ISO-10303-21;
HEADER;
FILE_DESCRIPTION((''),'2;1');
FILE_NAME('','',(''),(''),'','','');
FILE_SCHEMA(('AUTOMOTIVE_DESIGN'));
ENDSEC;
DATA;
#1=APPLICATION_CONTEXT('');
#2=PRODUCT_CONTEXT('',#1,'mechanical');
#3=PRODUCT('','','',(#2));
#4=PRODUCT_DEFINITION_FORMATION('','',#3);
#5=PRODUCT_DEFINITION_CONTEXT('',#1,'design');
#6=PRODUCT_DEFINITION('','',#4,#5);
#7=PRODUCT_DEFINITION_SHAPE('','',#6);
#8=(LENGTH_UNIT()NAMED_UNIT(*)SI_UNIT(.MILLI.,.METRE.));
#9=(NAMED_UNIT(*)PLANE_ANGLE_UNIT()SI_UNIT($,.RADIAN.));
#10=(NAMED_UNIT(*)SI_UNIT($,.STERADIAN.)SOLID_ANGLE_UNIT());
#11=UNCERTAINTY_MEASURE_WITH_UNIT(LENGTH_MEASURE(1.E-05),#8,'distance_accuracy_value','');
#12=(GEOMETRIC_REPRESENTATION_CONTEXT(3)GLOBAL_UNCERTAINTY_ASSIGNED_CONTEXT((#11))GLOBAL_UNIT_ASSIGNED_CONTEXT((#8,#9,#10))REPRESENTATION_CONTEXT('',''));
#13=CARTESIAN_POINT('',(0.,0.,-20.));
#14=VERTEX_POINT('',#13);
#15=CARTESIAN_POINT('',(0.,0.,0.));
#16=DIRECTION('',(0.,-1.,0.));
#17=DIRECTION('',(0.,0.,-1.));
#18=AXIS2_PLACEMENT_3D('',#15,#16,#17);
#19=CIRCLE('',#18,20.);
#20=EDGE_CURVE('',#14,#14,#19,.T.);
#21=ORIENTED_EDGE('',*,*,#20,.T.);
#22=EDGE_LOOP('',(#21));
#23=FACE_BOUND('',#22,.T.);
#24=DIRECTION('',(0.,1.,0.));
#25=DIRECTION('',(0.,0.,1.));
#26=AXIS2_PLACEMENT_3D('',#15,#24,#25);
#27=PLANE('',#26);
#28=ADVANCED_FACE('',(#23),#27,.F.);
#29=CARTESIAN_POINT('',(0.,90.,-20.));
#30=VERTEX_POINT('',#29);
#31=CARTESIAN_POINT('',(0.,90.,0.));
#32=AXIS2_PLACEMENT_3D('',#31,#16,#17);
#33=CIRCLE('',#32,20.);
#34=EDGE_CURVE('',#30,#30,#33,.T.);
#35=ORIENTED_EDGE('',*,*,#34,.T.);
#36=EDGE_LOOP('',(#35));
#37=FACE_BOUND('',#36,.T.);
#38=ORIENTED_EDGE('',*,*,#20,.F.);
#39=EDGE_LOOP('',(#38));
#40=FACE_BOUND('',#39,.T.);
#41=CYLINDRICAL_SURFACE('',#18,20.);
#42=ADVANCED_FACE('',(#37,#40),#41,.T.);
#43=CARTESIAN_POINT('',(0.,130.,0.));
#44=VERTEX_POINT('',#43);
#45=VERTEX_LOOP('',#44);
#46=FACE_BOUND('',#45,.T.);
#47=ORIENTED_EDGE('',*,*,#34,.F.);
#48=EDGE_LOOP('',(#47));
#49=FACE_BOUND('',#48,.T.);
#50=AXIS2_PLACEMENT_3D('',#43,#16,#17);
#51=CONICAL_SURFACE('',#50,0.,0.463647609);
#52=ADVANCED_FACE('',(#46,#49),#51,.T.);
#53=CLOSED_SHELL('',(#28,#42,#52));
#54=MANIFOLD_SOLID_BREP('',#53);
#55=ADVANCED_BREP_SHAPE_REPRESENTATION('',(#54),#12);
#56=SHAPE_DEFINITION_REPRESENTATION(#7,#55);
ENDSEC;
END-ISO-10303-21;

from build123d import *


with BuildPart() as part:
    # Esboço1 → Revolução1 (revolve)
    with BuildSketch(Plane.XY, mode=Mode.PRIVATE) as revolu_o1_sk:
        Polygon((20, 0), (0, 0), (0, 130), (20, 90), align=None)
    revolve(revolu_o1_sk.sketch.rotate(Axis((0, 0, 0), (0, 1, 0)), 90), axis=Axis((0, 0, 0), (0, 1, 0)))


solid = part.part
